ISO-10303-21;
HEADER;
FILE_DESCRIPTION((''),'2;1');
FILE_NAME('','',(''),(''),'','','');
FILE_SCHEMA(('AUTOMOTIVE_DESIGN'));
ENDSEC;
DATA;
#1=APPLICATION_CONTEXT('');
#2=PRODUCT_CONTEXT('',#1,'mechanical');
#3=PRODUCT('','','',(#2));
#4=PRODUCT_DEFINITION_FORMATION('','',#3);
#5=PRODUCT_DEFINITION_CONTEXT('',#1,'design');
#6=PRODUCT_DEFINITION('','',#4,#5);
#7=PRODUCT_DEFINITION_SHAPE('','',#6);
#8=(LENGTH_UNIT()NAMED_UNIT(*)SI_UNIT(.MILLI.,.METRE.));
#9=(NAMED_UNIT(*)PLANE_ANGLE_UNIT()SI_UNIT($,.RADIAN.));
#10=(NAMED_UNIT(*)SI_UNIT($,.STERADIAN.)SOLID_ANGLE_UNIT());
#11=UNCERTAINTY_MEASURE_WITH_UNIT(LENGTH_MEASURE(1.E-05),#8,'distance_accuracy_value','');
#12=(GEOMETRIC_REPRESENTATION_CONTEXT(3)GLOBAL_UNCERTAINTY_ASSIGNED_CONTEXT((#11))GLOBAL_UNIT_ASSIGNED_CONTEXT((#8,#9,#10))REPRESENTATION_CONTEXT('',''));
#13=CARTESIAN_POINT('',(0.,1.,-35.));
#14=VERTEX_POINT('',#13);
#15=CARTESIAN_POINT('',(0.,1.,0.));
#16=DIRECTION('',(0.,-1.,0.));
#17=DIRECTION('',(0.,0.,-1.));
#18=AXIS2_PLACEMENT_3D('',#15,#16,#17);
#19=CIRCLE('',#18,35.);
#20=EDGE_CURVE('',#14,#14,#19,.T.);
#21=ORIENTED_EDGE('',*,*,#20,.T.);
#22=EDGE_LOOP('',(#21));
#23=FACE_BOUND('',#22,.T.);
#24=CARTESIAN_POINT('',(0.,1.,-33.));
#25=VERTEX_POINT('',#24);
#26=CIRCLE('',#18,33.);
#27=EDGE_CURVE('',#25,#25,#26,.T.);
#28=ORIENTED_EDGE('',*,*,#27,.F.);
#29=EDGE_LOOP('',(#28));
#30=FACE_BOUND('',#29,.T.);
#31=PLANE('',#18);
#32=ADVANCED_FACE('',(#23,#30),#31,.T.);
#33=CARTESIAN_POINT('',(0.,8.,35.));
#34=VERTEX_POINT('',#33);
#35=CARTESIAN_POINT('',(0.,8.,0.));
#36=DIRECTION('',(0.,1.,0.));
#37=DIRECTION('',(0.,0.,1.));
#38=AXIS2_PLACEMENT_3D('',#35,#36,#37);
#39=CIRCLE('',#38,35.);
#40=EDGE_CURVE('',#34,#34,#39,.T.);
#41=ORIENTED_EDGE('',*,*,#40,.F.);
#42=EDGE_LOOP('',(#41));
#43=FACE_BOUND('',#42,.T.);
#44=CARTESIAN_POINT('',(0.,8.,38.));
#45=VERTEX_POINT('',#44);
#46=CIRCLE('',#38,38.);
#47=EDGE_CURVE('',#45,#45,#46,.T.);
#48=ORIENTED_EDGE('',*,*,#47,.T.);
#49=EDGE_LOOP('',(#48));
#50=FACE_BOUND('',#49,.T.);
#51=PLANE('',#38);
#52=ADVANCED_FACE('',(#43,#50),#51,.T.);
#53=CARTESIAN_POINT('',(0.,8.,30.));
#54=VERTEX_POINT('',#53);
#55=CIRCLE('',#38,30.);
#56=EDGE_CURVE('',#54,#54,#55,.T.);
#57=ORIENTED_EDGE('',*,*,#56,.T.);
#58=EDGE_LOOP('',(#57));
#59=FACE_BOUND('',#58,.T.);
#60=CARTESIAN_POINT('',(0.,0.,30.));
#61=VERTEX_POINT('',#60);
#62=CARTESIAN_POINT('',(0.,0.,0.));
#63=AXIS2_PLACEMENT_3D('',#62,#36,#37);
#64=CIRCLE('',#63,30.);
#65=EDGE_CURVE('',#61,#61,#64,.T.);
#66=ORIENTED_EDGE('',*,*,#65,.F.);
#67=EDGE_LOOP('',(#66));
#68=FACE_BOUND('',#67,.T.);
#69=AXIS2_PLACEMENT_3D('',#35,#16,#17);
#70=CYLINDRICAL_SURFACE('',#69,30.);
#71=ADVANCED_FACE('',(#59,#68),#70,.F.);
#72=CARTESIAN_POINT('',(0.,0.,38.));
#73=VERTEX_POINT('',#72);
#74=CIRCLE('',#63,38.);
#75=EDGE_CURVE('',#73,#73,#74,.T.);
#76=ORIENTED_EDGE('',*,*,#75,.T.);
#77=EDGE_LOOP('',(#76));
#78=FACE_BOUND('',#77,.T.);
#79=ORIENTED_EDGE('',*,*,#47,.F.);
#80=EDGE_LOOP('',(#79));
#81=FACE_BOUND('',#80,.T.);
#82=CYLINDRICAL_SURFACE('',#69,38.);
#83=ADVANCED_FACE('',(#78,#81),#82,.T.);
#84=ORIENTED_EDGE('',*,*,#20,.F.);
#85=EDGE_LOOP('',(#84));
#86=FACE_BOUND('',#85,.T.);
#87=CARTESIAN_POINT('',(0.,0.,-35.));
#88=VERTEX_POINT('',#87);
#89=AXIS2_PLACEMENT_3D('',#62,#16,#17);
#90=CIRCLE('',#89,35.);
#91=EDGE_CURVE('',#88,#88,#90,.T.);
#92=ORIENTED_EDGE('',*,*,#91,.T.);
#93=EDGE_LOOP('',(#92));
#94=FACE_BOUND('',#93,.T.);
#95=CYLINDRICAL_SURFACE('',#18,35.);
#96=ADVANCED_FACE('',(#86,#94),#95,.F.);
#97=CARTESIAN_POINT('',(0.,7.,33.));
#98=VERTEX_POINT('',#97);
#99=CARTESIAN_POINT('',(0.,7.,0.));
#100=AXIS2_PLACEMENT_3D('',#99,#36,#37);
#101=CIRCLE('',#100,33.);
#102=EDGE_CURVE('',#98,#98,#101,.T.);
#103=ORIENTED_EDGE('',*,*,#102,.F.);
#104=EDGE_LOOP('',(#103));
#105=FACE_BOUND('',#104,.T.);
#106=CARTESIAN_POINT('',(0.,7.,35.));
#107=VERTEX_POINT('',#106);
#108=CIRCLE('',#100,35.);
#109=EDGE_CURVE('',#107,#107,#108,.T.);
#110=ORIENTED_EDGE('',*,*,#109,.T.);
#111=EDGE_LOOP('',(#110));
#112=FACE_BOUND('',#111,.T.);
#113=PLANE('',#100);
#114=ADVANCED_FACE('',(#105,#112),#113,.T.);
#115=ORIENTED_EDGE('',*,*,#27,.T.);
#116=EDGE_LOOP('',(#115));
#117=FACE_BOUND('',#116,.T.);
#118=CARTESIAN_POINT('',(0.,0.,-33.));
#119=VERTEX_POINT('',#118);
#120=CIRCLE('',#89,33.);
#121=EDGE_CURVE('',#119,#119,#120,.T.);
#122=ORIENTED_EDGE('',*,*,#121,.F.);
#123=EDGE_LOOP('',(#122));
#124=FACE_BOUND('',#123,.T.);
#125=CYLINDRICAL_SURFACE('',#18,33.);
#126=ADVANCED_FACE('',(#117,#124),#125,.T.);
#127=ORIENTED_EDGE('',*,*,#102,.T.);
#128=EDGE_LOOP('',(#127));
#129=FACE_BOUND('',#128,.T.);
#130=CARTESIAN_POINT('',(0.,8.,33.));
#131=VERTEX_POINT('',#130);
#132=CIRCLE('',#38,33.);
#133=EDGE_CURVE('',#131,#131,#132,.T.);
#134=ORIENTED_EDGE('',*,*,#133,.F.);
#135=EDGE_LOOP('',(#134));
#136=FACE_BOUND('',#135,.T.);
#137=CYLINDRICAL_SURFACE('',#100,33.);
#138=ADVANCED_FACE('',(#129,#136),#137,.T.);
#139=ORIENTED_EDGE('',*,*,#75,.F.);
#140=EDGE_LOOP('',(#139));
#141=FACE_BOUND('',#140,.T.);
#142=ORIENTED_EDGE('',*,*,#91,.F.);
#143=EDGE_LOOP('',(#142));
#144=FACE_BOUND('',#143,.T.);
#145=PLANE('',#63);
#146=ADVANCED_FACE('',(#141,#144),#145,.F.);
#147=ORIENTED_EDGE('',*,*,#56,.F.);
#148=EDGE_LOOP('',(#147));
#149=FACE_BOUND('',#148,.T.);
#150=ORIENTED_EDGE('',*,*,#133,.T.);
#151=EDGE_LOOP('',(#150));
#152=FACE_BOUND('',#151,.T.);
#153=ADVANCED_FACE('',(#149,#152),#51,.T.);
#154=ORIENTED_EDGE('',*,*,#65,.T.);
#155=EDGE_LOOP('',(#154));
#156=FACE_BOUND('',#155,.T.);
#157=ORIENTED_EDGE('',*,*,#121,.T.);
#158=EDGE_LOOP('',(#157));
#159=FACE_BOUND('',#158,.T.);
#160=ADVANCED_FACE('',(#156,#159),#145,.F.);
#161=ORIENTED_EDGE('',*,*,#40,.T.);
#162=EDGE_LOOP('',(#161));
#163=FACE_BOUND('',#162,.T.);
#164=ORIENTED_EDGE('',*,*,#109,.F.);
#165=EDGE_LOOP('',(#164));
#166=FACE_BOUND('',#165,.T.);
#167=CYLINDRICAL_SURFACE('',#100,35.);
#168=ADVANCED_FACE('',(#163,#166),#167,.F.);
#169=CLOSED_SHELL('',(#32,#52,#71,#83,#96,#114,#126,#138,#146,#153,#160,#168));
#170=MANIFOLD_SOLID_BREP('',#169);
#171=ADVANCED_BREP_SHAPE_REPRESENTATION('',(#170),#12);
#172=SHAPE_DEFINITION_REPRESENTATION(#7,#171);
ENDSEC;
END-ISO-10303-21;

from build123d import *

# Parameters (mm, degrees)
SKETCH_1_R          = 38
SKETCH_1_R_2        = 30
EXTRUDE_1_DEPTH     = 8
SKETCH_2_R          = 35
SKETCH_2_R_2        = 33
CUT_EXTRUDE_1_DEPTH = 1
CUT_EXTRUDE_START   = -1
SKETCH_3_R          = 35
SKETCH_3_R_2        = 33
CUT_EXTRUDE_2_DEPTH = 1


with BuildPart() as part:
    # 草图1 → 凸台-拉伸1 (new body)
    with BuildSketch(Plane(origin=(0, 0, 0), x_dir=(1, 0, 0), z_dir=(0, 1, 0))):
        with Locations(Location((0, 0, 0), (0, 0, 270))):
            Circle(SKETCH_1_R)
        with Locations(Location((0, 0, 0), (0, 0, 270))):
            Circle(SKETCH_1_R_2, mode=Mode.SUBTRACT)
    extrude(amount=EXTRUDE_1_DEPTH)

    # 草图2 → 切除-拉伸1 (cut)
    with BuildSketch(Plane(origin=(0, 8, 0), x_dir=(1, 0, 0), z_dir=(0, 1, 0))):
        with Locations(Location((0, 0, 0), (0, 0, 270))):
            Circle(SKETCH_2_R)
        with Locations(Location((0, 0, 0), (0, 0, 270))):
            Circle(SKETCH_2_R_2, mode=Mode.SUBTRACT)
    extrude(amount=-CUT_EXTRUDE_1_DEPTH, mode=Mode.SUBTRACT)

    # 草图3 → 切除-拉伸2 (cut)
    with BuildSketch(Plane.XZ.offset(CUT_EXTRUDE_START)):
        with Locations(Location((0, 0, 0), (0, 0, 90))):
            Circle(SKETCH_3_R)
        with Locations(Location((0, 0, 0), (0, 0, 90))):
            Circle(SKETCH_3_R_2, mode=Mode.SUBTRACT)
    extrude(amount=CUT_EXTRUDE_2_DEPTH, mode=Mode.SUBTRACT)


solid = part.part
